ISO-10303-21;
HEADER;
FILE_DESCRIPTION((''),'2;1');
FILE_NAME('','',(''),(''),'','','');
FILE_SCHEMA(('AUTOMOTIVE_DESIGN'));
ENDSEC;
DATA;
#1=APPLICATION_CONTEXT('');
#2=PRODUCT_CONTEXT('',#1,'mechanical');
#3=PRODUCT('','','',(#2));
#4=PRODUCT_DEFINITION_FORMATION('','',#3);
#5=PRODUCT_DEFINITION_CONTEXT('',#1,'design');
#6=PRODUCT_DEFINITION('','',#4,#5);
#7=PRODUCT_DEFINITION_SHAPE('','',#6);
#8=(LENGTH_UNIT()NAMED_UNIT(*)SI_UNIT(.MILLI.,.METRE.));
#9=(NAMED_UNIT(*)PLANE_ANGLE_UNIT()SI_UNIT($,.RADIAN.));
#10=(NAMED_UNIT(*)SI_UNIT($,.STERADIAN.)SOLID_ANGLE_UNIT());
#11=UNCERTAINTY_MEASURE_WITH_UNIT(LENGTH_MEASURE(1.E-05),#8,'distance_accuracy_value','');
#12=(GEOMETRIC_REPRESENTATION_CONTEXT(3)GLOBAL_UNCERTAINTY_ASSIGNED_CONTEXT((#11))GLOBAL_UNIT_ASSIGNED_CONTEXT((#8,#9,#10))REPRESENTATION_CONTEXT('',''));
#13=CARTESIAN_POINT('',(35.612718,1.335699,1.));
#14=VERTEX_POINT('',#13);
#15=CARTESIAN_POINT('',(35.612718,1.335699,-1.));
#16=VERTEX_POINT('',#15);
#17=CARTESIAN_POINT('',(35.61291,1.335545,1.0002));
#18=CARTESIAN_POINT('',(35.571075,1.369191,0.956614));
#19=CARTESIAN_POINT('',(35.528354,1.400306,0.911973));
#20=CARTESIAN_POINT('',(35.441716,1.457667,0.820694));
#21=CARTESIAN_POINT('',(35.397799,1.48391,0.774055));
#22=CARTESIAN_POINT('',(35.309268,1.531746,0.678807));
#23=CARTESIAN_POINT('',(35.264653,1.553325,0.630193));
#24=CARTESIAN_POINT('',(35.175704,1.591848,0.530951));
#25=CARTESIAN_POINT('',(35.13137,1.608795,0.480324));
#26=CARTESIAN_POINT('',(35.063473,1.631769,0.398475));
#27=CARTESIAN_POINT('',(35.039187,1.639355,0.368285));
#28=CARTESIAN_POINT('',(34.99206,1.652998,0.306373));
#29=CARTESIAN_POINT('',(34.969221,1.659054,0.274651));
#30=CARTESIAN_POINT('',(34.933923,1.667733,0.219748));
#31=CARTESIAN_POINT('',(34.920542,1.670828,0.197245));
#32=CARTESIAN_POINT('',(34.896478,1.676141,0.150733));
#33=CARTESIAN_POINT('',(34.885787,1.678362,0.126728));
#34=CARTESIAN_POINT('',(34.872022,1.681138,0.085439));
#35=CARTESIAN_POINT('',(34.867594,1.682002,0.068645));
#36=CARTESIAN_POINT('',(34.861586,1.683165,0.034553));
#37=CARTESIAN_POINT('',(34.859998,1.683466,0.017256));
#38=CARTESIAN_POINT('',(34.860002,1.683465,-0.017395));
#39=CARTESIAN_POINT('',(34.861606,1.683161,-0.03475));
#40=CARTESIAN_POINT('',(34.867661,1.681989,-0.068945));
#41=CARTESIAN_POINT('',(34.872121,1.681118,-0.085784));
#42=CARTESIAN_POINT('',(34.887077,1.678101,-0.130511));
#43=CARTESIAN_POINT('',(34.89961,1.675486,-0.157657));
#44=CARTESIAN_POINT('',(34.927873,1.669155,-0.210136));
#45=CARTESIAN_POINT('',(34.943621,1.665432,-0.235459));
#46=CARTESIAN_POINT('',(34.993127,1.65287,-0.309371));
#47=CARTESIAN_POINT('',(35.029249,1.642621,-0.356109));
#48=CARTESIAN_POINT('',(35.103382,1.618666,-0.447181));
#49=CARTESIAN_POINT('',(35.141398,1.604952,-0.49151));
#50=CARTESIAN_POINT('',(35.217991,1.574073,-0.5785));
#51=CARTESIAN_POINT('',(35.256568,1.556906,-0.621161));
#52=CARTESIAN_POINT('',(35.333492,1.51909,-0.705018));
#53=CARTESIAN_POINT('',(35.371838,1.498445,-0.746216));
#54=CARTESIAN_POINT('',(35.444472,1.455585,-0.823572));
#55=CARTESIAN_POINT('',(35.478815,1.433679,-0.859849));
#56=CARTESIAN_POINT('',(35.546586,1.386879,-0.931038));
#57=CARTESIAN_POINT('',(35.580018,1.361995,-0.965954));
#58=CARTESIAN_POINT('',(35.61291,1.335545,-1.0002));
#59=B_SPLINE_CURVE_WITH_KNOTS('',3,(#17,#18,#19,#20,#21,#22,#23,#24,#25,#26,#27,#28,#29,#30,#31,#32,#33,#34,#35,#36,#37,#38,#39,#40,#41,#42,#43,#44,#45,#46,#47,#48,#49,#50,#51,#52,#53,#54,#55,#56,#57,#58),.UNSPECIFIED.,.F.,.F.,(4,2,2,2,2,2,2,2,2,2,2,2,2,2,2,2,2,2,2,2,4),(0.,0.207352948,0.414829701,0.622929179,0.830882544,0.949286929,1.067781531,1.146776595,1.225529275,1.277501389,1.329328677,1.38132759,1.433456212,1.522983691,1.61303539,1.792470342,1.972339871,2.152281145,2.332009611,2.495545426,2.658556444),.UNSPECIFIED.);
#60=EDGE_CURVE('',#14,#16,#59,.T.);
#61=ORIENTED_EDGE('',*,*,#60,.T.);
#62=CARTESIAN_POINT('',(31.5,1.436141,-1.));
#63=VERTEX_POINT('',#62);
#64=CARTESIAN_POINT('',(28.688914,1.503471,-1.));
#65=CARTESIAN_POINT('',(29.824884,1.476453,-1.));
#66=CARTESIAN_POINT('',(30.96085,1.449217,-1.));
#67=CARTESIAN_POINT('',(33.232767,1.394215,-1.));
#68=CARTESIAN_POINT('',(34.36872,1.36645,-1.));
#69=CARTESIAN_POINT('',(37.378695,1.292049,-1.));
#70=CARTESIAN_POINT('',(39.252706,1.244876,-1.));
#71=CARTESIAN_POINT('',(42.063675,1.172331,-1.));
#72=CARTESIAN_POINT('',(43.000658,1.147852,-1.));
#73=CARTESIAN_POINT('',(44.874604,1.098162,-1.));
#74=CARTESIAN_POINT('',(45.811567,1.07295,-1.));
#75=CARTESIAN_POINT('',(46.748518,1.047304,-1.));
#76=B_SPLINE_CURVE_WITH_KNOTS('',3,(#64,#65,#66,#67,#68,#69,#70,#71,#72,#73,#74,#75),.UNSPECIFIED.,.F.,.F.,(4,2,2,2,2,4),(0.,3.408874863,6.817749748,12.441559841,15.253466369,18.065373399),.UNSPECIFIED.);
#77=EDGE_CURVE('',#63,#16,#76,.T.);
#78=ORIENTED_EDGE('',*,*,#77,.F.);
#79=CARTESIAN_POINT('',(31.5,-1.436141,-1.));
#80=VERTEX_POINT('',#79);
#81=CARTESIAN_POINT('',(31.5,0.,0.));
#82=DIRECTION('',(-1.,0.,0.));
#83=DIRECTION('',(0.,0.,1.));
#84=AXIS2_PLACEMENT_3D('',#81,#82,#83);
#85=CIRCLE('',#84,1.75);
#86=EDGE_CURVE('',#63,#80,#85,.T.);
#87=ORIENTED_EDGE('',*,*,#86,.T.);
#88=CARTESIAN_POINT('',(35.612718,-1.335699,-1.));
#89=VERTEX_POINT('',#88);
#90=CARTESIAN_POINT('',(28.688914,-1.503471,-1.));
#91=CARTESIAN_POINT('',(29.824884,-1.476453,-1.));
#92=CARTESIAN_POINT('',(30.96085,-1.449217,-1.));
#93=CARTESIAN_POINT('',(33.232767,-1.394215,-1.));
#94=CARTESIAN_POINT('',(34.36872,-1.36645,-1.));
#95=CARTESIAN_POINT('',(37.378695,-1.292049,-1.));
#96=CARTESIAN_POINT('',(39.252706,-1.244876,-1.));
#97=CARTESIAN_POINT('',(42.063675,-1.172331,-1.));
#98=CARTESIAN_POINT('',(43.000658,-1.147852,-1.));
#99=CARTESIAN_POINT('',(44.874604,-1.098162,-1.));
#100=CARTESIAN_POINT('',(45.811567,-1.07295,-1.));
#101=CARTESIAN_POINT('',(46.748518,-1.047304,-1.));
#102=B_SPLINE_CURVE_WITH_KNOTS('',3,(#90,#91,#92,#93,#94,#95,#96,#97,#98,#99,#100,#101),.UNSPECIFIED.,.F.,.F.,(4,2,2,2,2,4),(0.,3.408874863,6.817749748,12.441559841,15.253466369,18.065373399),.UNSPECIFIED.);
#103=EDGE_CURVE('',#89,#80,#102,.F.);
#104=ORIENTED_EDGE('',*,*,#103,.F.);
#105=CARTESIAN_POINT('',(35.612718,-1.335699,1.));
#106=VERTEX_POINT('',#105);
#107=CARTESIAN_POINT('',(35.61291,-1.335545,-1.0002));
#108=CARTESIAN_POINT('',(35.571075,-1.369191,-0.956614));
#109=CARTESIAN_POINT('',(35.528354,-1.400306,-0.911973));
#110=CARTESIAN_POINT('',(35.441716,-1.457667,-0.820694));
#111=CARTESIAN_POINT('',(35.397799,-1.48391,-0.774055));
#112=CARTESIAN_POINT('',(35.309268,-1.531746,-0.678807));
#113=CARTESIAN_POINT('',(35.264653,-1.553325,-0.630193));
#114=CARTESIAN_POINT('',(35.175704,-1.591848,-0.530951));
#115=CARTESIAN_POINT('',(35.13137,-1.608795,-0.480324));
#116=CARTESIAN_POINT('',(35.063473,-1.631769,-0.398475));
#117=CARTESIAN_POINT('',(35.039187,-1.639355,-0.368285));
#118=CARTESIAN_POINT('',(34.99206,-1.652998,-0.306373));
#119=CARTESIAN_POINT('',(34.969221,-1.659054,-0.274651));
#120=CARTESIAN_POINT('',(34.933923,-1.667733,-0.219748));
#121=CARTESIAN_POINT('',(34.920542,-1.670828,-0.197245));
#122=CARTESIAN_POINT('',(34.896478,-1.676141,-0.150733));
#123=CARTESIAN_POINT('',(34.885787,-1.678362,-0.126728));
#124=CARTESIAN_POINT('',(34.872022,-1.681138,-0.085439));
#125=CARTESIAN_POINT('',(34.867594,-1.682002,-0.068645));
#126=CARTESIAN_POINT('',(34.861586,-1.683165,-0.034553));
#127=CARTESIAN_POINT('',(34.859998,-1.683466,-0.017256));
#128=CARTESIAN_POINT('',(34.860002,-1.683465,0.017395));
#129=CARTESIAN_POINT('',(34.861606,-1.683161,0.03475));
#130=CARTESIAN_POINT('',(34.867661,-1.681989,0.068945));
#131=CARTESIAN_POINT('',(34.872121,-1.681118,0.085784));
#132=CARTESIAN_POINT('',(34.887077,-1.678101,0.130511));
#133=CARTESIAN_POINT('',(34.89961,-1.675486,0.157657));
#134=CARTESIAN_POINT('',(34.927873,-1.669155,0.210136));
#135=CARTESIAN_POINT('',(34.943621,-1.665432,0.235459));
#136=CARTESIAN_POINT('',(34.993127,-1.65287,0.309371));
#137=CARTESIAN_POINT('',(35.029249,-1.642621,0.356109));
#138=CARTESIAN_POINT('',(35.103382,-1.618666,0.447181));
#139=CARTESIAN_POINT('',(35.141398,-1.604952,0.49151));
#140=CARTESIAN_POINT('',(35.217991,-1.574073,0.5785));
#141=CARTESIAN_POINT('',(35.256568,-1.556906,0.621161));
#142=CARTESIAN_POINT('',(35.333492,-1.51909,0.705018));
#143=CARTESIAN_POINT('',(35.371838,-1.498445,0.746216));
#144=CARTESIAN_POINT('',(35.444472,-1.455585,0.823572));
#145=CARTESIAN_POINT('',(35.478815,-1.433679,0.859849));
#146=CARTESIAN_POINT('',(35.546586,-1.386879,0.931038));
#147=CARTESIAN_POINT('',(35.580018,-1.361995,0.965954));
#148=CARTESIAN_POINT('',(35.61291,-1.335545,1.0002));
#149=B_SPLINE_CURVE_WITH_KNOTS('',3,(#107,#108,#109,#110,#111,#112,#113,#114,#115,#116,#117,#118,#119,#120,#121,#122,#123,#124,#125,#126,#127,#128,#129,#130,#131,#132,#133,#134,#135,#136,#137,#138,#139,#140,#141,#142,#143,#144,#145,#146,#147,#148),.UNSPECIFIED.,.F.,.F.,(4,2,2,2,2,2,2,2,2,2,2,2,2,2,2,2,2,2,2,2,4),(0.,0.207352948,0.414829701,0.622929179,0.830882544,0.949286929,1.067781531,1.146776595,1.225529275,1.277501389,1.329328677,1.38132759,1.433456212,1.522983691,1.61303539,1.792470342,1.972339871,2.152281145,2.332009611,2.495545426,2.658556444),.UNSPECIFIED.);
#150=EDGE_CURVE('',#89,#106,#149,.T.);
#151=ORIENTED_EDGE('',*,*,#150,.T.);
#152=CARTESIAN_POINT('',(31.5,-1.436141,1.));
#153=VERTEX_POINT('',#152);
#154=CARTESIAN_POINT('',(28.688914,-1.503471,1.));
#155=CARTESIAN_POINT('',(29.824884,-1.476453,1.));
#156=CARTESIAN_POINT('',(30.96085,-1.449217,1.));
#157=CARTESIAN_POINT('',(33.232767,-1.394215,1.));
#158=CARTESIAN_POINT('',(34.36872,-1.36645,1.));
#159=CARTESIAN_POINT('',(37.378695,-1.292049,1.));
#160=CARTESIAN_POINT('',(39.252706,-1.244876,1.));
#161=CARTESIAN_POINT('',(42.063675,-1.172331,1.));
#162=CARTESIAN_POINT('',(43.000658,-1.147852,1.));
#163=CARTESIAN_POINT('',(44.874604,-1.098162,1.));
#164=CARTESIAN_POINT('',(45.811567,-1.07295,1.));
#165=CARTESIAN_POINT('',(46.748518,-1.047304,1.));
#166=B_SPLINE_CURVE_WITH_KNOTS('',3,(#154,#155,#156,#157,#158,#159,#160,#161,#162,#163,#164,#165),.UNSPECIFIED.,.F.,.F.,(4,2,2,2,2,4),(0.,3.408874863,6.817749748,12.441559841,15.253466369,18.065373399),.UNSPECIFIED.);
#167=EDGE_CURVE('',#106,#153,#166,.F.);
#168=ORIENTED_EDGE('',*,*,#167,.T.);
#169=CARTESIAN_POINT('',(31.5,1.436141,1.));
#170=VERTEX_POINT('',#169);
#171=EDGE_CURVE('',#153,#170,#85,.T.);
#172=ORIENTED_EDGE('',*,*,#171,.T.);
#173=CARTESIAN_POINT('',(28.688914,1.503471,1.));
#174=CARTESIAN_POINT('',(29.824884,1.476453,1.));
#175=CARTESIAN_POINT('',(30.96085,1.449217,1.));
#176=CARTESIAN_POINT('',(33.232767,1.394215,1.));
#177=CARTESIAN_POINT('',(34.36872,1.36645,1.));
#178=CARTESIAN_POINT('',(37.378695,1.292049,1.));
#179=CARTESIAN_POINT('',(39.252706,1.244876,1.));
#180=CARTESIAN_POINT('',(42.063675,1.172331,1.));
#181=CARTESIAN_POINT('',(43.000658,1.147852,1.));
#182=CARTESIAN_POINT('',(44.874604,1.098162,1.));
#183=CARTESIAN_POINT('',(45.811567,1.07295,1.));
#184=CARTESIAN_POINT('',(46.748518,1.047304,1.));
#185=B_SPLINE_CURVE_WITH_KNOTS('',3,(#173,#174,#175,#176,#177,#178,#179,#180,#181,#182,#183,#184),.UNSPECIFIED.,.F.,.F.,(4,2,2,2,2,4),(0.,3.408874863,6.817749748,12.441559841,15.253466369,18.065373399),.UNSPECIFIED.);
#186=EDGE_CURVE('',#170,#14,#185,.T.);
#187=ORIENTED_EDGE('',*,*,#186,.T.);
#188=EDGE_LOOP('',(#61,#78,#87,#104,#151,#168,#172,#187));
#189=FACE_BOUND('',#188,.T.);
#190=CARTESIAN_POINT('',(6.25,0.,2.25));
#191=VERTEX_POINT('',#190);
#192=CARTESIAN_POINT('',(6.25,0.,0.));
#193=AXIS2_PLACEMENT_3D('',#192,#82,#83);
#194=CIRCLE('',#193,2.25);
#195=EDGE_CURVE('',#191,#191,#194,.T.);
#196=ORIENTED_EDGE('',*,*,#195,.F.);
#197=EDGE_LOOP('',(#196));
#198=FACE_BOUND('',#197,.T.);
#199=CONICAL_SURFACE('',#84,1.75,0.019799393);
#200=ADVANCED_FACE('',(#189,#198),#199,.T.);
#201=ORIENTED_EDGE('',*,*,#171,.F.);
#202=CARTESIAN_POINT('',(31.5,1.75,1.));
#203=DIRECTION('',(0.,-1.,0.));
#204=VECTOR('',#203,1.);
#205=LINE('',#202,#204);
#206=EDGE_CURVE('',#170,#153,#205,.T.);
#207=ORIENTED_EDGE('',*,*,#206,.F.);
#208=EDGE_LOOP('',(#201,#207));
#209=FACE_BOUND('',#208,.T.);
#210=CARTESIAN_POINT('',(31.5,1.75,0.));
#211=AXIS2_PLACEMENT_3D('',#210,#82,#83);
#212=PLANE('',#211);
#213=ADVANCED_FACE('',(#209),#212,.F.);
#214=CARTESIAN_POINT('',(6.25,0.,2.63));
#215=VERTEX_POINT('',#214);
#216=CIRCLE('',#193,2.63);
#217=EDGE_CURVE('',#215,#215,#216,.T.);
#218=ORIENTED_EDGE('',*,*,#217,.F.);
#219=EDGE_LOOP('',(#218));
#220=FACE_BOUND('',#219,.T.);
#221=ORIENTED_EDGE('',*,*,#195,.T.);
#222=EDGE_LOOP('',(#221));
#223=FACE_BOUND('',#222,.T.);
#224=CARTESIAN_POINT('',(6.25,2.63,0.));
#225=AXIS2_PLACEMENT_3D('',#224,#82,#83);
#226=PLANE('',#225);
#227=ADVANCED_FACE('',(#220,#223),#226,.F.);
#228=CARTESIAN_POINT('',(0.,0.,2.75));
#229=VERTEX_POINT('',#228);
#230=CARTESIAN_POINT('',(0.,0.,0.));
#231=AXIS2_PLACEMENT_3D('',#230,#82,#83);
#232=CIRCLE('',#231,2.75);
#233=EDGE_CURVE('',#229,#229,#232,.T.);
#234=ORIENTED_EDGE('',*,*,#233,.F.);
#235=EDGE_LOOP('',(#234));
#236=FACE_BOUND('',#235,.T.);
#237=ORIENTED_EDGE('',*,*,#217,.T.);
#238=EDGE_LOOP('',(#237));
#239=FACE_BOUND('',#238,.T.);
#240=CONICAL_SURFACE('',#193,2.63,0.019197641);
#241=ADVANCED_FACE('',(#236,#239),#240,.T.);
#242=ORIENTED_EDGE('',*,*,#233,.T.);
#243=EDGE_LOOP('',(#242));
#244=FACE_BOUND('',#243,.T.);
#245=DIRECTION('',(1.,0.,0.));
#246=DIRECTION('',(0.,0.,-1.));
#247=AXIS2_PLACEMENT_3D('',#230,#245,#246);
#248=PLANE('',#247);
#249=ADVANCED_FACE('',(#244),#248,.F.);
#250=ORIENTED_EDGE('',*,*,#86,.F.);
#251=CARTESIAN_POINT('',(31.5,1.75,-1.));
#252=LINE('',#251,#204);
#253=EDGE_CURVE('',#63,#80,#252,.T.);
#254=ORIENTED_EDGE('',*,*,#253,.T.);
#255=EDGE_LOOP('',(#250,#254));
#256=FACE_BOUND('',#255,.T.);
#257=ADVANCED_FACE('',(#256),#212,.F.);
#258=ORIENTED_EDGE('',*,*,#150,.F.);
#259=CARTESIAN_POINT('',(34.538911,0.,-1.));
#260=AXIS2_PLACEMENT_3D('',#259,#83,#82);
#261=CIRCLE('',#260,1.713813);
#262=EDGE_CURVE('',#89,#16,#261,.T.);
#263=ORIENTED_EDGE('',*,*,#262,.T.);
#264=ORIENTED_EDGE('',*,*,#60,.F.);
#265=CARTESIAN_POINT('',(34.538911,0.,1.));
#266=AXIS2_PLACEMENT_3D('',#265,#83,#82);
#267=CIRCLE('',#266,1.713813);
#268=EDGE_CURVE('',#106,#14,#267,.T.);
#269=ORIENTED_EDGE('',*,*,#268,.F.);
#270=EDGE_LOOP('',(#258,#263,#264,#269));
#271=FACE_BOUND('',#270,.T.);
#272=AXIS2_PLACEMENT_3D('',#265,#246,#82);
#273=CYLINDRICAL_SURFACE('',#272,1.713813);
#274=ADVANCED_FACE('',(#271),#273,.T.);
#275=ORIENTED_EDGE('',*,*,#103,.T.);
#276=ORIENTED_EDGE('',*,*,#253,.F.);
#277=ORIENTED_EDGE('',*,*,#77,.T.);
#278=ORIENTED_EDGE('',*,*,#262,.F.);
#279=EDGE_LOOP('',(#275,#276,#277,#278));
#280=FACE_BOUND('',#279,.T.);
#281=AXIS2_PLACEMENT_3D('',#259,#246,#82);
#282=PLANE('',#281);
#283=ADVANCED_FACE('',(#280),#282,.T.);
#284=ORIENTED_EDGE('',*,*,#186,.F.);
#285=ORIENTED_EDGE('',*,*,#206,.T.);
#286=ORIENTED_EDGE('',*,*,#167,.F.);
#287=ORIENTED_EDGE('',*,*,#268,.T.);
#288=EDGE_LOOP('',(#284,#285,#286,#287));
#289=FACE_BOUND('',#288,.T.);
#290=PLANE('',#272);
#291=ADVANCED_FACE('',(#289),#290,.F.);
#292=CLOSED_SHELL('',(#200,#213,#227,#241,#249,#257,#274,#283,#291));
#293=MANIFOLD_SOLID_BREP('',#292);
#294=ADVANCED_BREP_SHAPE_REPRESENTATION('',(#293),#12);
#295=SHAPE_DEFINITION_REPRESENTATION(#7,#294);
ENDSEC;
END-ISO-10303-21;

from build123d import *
from build123d.topology import SkipClean

# Parameters (mm, degrees)
BOSS_EXTRUDE3_DEPTH = 1


with BuildPart() as part:
    # Sketch1 → Revolve2 (revolve)
    with BuildSketch(Plane.XY, mode=Mode.PRIVATE) as revolve2_sk:
        Polygon((0, 0), (31.5, 0), (31.5, 1.75), (6.25, 2.25), (6.25, 2.63), (0, 2.75), align=None)
    revolve(revolve2_sk.sketch.rotate(Axis((0, 0, 0), (1, 0, 0)), 90), axis=Axis((0, 0, 0), (1, 0, 0)))

    # Sketch3 → Boss-Extrude3 (add, symmetric)
    with BuildSketch(Plane.XY):
        with BuildLine():
            Line((31.5, 1.75), (34.86, 1.683465347))
            ThreePointArc((34.86, 1.683465347), (36.252723474, 0), (34.86, -1.683465347))
            Line((34.86, -1.683465347), (31.5, -1.75))
            Line((31.5, -1.75), (31.5, 1.75))
        make_face()
    extrude(amount=BOSS_EXTRUDE3_DEPTH, both=True)

    # Sketch9 → Cut-Revolve9 (revolve, cut)
    with SkipClean():  # the faces are left unmerged after this step: merging them gives an invalid solid
        with BuildSketch(Plane.XY):
            Polygon((31.5, 1.75), (31.5, 2.5), (37.130328502, 2.5), (37.130328502, 1.638508346), align=None)
        revolve(axis=Axis((31.5, 0, 0), (1, 0, 0)), mode=Mode.SUBTRACT)

    # Sketch7 → Cut-Revolve8 (revolve, cut)
    with SkipClean():  # the faces are left unmerged after this step: merging them gives an invalid solid
        with BuildSketch(Plane.XY):
            Polygon((31.5, 1.75), (31.5, 2.588823056), (36.825315724, 2.588823056), (36.825315724, 1.644548203), align=None)
        revolve(axis=Axis((31.5, 0, 0), (1, 0, 0)), mode=Mode.SUBTRACT)


solid = part.part
